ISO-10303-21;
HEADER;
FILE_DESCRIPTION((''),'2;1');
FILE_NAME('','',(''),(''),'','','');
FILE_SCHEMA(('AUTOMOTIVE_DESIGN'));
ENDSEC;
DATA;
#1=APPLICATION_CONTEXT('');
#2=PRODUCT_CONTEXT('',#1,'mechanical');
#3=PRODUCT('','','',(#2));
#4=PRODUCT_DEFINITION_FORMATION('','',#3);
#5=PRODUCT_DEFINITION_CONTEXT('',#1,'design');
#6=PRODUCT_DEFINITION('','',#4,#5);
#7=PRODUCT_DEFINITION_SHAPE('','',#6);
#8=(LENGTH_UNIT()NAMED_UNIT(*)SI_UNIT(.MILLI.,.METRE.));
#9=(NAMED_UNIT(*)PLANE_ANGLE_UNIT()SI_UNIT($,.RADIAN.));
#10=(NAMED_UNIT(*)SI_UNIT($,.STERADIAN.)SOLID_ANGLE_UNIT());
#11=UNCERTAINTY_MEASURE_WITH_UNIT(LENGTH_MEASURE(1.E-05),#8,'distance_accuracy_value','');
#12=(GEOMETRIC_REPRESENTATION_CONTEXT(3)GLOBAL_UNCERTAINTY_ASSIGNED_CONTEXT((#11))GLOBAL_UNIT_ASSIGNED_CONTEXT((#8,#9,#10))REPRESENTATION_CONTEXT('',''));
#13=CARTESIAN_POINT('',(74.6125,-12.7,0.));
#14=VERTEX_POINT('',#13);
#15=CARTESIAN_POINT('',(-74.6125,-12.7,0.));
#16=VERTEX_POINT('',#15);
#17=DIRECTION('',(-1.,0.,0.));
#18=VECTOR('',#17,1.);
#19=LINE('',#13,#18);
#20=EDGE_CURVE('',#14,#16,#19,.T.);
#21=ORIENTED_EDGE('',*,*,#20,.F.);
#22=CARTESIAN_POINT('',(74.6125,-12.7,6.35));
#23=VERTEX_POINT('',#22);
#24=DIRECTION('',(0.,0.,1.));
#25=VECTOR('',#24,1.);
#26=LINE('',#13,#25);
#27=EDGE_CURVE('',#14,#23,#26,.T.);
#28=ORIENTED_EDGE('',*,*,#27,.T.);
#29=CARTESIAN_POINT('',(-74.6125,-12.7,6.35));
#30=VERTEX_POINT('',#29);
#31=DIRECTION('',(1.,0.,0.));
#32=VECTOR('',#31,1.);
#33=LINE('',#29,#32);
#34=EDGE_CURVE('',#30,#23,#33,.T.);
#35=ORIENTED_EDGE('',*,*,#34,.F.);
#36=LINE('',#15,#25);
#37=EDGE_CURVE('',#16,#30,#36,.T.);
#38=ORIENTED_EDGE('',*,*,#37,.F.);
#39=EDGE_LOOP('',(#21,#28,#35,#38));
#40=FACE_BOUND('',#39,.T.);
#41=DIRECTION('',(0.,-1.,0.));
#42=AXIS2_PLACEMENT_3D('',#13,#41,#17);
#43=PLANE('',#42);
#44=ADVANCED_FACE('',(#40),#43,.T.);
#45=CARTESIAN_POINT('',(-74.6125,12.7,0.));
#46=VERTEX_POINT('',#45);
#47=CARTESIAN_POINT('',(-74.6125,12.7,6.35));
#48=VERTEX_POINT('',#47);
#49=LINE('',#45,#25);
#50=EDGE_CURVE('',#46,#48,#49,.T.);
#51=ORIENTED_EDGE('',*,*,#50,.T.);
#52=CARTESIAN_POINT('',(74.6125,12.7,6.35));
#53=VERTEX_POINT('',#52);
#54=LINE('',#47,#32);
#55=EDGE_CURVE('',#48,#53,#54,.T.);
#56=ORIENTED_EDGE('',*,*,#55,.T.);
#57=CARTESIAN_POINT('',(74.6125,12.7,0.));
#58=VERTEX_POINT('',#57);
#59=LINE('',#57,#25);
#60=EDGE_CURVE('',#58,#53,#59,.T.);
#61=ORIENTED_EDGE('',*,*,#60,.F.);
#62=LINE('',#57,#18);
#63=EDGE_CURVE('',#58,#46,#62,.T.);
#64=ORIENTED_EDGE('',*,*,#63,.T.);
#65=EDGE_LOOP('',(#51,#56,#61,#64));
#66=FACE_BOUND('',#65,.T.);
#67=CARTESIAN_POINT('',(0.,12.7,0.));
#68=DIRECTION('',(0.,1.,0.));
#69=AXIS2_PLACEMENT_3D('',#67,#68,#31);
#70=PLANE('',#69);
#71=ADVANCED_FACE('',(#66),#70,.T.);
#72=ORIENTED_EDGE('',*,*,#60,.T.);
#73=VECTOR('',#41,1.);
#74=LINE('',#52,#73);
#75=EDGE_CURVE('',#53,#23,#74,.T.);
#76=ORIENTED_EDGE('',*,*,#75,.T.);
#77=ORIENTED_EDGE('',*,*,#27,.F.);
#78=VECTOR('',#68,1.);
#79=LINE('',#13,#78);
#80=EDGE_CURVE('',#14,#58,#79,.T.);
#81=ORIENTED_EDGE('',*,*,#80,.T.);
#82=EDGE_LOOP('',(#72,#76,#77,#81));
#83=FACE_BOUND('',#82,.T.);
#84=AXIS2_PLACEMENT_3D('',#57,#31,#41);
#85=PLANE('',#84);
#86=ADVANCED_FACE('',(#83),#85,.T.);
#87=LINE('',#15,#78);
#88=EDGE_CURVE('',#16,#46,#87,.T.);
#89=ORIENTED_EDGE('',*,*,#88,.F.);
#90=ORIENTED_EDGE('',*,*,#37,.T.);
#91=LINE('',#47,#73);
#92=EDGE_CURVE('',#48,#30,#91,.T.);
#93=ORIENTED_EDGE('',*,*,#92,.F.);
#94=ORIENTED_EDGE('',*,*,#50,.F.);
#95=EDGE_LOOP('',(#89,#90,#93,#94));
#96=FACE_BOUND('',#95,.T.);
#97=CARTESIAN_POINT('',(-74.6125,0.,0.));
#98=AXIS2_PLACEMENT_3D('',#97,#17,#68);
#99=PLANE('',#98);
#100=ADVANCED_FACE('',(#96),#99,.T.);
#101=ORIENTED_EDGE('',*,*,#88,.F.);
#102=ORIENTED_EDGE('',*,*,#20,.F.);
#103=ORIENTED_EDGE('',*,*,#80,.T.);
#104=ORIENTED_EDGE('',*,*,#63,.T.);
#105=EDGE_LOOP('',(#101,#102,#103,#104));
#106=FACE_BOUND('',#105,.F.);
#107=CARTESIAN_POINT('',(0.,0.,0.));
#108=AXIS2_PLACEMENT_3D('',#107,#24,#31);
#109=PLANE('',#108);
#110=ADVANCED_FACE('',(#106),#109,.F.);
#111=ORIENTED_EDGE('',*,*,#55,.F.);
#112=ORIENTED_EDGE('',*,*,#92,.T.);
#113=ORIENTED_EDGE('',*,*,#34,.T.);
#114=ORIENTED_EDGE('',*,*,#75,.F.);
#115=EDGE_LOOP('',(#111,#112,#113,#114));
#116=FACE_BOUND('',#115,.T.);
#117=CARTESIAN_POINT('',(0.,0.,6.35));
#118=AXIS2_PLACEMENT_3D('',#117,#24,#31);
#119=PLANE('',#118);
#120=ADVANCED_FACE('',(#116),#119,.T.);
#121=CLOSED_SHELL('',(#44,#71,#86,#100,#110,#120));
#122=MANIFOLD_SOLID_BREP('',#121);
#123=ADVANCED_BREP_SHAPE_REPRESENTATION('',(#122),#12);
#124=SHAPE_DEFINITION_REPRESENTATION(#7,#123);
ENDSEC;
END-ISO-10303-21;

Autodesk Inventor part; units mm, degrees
ref_plane "YZ Plane" through (0, 0, 0) normal (1, 0, 0) x (0, 1, 0)
ref_plane "XZ Plane" through (0, 0, 0) normal (0, 1, 0) x (-1, 0, 0)
ref_plane "XY Plane" through (0, 0, 0) normal (0, 0, 1) x (1, 0, 0)
sketch "Sketch1" plane through (0, 0, 0) normal (0, 0, 1) x (1, 0, 0)
  line L0 (0, 17.78) -> (0, -17.78) projected
  line L1 (-104.4575, 0) -> (104.4575, 0) projected
  line L2 (74.6125, -12.7) -> (-74.6125, -12.7)
  line L3 (-74.6125, -12.7) -> (-74.6125, 12.7)
  line L4 (-74.6125, 12.7) -> (74.6125, 12.7)
  line L5 (74.6125, 12.7) -> (74.6125, -12.7)
  line L6 (74.6125, -12.7) -> (-74.6125, 12.7) construction
  line L7 (-74.6125, -12.7) -> (74.6125, 12.7) construction
  point P0 (0, 0)
  dimension "d0" = 149.225
  dimension "d1" = 25.4
extrude "Extrusion1" add sketch "Sketch1" along normal blind 6.35
properties part number "N/A" material "ACRYLIC, CLEAR"
